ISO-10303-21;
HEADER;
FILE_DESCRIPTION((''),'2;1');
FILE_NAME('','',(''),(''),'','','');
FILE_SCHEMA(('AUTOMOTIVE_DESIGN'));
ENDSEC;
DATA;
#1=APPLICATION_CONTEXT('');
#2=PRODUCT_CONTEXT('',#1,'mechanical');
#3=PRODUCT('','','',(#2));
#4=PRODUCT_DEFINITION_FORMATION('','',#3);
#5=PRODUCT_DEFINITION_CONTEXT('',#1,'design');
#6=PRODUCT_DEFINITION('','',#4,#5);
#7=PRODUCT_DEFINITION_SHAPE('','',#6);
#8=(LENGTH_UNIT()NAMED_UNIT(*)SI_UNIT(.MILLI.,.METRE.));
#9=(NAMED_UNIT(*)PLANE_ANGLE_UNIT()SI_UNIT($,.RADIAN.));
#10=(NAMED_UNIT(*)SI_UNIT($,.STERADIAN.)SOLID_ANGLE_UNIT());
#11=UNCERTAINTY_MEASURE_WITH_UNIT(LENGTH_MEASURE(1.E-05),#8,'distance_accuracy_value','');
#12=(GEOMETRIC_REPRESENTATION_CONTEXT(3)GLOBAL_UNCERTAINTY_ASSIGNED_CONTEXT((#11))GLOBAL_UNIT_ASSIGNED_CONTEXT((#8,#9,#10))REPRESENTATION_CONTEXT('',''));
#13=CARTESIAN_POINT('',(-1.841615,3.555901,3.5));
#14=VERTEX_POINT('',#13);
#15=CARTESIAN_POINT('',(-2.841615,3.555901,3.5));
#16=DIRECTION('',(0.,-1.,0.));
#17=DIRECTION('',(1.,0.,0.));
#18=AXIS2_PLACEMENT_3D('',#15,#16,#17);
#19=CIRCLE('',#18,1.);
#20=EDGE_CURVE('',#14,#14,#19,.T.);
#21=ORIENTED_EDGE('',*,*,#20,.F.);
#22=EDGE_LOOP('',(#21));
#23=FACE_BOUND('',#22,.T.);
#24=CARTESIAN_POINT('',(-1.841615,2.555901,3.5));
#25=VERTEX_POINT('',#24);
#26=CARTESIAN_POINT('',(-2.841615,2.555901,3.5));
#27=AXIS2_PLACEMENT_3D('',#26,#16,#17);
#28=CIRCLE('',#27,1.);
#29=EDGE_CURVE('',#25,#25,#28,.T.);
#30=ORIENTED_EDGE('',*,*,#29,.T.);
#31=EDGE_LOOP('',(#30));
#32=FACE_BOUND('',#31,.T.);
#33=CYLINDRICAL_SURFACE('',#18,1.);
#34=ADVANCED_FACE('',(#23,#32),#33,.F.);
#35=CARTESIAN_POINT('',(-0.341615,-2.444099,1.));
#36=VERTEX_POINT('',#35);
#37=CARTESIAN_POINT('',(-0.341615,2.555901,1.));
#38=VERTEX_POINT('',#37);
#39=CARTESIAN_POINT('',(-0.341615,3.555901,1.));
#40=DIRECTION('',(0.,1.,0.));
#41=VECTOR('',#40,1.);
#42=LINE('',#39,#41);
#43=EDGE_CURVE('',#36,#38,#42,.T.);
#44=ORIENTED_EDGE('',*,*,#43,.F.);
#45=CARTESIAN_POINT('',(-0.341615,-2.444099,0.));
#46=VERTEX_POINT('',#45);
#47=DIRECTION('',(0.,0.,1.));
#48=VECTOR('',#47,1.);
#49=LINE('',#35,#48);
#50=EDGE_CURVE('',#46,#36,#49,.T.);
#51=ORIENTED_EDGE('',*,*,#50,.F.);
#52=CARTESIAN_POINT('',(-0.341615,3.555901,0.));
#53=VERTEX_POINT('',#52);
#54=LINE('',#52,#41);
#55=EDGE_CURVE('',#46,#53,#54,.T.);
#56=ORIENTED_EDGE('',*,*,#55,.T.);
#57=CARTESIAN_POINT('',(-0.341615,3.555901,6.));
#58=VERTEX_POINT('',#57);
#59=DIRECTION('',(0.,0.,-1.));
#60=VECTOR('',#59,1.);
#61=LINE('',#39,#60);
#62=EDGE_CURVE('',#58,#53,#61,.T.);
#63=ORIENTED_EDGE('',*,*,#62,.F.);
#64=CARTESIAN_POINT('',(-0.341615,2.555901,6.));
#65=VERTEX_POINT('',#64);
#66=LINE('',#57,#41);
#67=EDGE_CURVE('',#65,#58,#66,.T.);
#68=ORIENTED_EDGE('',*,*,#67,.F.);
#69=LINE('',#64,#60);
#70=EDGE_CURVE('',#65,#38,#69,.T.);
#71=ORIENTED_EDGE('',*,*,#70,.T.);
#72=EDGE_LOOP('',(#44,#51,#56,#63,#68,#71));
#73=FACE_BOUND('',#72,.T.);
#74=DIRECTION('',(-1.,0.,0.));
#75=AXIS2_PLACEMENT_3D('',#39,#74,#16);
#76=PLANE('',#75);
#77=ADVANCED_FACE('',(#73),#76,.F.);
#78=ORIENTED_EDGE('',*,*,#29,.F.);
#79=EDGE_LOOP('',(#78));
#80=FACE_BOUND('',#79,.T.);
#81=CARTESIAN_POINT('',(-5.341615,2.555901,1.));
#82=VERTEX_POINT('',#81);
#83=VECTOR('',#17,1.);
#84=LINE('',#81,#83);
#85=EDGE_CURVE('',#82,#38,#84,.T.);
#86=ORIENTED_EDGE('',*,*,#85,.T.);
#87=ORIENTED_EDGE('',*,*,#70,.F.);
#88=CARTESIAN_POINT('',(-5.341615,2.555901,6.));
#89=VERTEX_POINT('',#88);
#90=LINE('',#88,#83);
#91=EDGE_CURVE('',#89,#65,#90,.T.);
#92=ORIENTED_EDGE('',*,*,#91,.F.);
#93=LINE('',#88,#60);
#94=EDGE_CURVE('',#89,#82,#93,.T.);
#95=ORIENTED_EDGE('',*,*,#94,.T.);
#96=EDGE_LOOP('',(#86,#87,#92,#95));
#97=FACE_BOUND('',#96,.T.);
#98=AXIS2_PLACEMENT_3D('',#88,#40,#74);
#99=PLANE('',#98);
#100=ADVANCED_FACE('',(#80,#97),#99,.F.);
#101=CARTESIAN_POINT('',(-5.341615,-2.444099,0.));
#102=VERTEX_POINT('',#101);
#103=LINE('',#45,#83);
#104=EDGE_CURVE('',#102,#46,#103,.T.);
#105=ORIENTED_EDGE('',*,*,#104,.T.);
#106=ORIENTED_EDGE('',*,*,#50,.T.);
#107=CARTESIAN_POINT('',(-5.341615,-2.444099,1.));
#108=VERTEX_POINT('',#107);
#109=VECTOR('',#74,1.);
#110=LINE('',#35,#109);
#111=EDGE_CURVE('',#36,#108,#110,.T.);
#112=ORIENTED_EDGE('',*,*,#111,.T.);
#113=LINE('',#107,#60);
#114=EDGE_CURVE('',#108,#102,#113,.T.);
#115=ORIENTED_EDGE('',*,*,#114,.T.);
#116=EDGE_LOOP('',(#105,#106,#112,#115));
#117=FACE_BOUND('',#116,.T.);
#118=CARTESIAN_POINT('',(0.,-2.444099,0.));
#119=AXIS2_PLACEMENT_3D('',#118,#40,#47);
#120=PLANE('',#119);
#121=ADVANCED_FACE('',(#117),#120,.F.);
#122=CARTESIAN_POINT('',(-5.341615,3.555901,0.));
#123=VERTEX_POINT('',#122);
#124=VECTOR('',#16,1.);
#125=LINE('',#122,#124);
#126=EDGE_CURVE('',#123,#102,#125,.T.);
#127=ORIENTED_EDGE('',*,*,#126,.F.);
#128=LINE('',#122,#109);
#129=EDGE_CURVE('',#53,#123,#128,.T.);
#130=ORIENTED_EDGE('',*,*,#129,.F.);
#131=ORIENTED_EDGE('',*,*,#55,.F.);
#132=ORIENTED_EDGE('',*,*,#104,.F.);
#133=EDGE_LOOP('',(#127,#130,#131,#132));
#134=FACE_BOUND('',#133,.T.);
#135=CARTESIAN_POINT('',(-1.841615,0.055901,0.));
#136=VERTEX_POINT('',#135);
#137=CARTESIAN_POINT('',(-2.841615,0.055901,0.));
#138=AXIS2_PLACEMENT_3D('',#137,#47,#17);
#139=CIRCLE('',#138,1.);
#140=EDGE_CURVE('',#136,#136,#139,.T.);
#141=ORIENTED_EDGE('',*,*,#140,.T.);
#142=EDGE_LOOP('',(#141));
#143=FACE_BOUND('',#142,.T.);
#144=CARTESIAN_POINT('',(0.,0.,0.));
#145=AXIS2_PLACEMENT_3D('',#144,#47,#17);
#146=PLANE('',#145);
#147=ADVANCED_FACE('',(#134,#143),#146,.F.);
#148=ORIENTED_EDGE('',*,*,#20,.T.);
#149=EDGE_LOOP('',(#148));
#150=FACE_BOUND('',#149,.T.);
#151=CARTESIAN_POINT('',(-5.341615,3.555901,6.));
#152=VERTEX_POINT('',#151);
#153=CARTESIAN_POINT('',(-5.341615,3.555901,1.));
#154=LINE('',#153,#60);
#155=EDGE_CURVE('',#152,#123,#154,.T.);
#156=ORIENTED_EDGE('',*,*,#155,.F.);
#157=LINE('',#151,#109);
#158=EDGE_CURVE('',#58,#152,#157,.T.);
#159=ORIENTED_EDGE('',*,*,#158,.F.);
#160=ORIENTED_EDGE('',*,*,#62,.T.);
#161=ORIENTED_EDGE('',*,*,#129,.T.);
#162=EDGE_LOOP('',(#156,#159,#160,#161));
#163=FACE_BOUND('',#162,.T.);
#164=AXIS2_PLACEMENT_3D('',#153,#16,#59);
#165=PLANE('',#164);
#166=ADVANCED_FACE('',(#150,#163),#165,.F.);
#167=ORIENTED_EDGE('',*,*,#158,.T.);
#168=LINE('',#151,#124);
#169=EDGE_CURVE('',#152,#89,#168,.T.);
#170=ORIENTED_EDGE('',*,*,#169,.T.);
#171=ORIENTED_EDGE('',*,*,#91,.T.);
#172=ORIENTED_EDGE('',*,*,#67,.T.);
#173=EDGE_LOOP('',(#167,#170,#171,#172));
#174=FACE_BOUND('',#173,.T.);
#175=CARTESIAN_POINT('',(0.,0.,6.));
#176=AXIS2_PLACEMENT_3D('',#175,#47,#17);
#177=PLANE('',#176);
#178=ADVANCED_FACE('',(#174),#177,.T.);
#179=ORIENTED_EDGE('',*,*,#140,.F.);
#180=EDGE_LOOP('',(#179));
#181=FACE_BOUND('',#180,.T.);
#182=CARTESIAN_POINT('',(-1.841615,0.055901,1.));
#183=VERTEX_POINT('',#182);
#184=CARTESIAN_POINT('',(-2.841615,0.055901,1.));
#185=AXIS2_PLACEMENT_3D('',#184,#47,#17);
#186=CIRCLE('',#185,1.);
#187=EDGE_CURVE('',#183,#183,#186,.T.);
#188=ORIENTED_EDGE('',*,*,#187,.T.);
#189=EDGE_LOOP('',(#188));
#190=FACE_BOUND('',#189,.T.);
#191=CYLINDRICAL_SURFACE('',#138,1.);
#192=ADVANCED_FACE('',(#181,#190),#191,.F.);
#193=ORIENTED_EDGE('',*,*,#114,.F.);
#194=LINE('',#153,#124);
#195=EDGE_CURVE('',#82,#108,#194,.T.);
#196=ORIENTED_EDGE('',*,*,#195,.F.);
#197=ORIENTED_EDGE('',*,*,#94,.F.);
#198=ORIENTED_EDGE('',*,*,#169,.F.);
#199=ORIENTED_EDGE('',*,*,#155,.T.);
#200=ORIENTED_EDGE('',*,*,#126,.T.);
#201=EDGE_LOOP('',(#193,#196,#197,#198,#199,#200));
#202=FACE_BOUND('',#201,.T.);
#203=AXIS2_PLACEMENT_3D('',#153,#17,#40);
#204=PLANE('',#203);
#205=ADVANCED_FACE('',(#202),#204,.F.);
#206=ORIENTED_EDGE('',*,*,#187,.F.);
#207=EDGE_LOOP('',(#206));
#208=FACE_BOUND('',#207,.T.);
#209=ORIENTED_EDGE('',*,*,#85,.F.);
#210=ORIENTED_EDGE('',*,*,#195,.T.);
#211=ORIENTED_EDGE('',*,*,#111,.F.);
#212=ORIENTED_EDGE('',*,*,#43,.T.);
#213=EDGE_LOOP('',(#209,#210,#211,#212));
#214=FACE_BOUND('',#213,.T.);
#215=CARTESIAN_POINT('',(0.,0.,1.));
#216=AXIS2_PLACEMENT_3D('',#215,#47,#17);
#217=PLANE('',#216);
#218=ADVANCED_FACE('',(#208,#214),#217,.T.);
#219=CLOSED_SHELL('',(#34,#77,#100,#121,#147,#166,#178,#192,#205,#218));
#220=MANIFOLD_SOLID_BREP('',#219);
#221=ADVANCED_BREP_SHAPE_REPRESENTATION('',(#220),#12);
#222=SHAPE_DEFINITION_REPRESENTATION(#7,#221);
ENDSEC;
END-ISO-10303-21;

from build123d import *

# Parameters (mm, degrees)
SKETCH1_W           = 5
SKETCH1_H           = 5
BOSS_EXTRUDE1_DEPTH = 1
SKETCH2_W           = 5
SKETCH2_H           = 1
BOSS_EXTRUDE2_DEPTH = 5
SKETCH3_W           = 5
SKETCH3_H           = 1
BOSS_EXTRUDE3_DEPTH = 1
SKETCH4_R           = 1
CUT_EXTRUDE1_DEPTH  = 1
SKETCH5_R           = 1
CUT_EXTRUDE2_DEPTH  = 1


with BuildPart() as part:
    # Sketch1 → Boss-Extrude1 (new body)
    with BuildSketch(Plane.XY):
        with Locations((-2.841614907, 1.055900621)):
            Rectangle(SKETCH1_W, SKETCH1_H)
    extrude(amount=BOSS_EXTRUDE1_DEPTH)

    # Sketch2 → Boss-Extrude2 (add)
    with BuildSketch(Plane.XY.offset(1)):
        with Locations((-2.841614907, 3.055900621)):
            Rectangle(SKETCH2_W, SKETCH2_H)
    extrude(amount=BOSS_EXTRUDE2_DEPTH)

    # Sketch3 → Boss-Extrude3 (add)
    with BuildSketch(Plane.XZ.offset(1.444099379)):
        with Locations((-2.841614907, 0.5)):
            Rectangle(SKETCH3_W, SKETCH3_H)
    extrude(amount=BOSS_EXTRUDE3_DEPTH)

    # Sketch4 → Cut-Extrude1 (cut)
    with BuildSketch(Plane.XY.offset(1)):
        with Locations((-2.841614907, 0.055900621)):
            Circle(SKETCH4_R)
    extrude(amount=-CUT_EXTRUDE1_DEPTH, mode=Mode.SUBTRACT)

    # Sketch5 → Cut-Extrude2 (cut)
    with BuildSketch(Plane.XZ.offset(-2.555900621)):
        with Locations((-2.841614907, 3.5)):
            Circle(SKETCH5_R)
    extrude(amount=-CUT_EXTRUDE2_DEPTH, mode=Mode.SUBTRACT)


solid = part.part
